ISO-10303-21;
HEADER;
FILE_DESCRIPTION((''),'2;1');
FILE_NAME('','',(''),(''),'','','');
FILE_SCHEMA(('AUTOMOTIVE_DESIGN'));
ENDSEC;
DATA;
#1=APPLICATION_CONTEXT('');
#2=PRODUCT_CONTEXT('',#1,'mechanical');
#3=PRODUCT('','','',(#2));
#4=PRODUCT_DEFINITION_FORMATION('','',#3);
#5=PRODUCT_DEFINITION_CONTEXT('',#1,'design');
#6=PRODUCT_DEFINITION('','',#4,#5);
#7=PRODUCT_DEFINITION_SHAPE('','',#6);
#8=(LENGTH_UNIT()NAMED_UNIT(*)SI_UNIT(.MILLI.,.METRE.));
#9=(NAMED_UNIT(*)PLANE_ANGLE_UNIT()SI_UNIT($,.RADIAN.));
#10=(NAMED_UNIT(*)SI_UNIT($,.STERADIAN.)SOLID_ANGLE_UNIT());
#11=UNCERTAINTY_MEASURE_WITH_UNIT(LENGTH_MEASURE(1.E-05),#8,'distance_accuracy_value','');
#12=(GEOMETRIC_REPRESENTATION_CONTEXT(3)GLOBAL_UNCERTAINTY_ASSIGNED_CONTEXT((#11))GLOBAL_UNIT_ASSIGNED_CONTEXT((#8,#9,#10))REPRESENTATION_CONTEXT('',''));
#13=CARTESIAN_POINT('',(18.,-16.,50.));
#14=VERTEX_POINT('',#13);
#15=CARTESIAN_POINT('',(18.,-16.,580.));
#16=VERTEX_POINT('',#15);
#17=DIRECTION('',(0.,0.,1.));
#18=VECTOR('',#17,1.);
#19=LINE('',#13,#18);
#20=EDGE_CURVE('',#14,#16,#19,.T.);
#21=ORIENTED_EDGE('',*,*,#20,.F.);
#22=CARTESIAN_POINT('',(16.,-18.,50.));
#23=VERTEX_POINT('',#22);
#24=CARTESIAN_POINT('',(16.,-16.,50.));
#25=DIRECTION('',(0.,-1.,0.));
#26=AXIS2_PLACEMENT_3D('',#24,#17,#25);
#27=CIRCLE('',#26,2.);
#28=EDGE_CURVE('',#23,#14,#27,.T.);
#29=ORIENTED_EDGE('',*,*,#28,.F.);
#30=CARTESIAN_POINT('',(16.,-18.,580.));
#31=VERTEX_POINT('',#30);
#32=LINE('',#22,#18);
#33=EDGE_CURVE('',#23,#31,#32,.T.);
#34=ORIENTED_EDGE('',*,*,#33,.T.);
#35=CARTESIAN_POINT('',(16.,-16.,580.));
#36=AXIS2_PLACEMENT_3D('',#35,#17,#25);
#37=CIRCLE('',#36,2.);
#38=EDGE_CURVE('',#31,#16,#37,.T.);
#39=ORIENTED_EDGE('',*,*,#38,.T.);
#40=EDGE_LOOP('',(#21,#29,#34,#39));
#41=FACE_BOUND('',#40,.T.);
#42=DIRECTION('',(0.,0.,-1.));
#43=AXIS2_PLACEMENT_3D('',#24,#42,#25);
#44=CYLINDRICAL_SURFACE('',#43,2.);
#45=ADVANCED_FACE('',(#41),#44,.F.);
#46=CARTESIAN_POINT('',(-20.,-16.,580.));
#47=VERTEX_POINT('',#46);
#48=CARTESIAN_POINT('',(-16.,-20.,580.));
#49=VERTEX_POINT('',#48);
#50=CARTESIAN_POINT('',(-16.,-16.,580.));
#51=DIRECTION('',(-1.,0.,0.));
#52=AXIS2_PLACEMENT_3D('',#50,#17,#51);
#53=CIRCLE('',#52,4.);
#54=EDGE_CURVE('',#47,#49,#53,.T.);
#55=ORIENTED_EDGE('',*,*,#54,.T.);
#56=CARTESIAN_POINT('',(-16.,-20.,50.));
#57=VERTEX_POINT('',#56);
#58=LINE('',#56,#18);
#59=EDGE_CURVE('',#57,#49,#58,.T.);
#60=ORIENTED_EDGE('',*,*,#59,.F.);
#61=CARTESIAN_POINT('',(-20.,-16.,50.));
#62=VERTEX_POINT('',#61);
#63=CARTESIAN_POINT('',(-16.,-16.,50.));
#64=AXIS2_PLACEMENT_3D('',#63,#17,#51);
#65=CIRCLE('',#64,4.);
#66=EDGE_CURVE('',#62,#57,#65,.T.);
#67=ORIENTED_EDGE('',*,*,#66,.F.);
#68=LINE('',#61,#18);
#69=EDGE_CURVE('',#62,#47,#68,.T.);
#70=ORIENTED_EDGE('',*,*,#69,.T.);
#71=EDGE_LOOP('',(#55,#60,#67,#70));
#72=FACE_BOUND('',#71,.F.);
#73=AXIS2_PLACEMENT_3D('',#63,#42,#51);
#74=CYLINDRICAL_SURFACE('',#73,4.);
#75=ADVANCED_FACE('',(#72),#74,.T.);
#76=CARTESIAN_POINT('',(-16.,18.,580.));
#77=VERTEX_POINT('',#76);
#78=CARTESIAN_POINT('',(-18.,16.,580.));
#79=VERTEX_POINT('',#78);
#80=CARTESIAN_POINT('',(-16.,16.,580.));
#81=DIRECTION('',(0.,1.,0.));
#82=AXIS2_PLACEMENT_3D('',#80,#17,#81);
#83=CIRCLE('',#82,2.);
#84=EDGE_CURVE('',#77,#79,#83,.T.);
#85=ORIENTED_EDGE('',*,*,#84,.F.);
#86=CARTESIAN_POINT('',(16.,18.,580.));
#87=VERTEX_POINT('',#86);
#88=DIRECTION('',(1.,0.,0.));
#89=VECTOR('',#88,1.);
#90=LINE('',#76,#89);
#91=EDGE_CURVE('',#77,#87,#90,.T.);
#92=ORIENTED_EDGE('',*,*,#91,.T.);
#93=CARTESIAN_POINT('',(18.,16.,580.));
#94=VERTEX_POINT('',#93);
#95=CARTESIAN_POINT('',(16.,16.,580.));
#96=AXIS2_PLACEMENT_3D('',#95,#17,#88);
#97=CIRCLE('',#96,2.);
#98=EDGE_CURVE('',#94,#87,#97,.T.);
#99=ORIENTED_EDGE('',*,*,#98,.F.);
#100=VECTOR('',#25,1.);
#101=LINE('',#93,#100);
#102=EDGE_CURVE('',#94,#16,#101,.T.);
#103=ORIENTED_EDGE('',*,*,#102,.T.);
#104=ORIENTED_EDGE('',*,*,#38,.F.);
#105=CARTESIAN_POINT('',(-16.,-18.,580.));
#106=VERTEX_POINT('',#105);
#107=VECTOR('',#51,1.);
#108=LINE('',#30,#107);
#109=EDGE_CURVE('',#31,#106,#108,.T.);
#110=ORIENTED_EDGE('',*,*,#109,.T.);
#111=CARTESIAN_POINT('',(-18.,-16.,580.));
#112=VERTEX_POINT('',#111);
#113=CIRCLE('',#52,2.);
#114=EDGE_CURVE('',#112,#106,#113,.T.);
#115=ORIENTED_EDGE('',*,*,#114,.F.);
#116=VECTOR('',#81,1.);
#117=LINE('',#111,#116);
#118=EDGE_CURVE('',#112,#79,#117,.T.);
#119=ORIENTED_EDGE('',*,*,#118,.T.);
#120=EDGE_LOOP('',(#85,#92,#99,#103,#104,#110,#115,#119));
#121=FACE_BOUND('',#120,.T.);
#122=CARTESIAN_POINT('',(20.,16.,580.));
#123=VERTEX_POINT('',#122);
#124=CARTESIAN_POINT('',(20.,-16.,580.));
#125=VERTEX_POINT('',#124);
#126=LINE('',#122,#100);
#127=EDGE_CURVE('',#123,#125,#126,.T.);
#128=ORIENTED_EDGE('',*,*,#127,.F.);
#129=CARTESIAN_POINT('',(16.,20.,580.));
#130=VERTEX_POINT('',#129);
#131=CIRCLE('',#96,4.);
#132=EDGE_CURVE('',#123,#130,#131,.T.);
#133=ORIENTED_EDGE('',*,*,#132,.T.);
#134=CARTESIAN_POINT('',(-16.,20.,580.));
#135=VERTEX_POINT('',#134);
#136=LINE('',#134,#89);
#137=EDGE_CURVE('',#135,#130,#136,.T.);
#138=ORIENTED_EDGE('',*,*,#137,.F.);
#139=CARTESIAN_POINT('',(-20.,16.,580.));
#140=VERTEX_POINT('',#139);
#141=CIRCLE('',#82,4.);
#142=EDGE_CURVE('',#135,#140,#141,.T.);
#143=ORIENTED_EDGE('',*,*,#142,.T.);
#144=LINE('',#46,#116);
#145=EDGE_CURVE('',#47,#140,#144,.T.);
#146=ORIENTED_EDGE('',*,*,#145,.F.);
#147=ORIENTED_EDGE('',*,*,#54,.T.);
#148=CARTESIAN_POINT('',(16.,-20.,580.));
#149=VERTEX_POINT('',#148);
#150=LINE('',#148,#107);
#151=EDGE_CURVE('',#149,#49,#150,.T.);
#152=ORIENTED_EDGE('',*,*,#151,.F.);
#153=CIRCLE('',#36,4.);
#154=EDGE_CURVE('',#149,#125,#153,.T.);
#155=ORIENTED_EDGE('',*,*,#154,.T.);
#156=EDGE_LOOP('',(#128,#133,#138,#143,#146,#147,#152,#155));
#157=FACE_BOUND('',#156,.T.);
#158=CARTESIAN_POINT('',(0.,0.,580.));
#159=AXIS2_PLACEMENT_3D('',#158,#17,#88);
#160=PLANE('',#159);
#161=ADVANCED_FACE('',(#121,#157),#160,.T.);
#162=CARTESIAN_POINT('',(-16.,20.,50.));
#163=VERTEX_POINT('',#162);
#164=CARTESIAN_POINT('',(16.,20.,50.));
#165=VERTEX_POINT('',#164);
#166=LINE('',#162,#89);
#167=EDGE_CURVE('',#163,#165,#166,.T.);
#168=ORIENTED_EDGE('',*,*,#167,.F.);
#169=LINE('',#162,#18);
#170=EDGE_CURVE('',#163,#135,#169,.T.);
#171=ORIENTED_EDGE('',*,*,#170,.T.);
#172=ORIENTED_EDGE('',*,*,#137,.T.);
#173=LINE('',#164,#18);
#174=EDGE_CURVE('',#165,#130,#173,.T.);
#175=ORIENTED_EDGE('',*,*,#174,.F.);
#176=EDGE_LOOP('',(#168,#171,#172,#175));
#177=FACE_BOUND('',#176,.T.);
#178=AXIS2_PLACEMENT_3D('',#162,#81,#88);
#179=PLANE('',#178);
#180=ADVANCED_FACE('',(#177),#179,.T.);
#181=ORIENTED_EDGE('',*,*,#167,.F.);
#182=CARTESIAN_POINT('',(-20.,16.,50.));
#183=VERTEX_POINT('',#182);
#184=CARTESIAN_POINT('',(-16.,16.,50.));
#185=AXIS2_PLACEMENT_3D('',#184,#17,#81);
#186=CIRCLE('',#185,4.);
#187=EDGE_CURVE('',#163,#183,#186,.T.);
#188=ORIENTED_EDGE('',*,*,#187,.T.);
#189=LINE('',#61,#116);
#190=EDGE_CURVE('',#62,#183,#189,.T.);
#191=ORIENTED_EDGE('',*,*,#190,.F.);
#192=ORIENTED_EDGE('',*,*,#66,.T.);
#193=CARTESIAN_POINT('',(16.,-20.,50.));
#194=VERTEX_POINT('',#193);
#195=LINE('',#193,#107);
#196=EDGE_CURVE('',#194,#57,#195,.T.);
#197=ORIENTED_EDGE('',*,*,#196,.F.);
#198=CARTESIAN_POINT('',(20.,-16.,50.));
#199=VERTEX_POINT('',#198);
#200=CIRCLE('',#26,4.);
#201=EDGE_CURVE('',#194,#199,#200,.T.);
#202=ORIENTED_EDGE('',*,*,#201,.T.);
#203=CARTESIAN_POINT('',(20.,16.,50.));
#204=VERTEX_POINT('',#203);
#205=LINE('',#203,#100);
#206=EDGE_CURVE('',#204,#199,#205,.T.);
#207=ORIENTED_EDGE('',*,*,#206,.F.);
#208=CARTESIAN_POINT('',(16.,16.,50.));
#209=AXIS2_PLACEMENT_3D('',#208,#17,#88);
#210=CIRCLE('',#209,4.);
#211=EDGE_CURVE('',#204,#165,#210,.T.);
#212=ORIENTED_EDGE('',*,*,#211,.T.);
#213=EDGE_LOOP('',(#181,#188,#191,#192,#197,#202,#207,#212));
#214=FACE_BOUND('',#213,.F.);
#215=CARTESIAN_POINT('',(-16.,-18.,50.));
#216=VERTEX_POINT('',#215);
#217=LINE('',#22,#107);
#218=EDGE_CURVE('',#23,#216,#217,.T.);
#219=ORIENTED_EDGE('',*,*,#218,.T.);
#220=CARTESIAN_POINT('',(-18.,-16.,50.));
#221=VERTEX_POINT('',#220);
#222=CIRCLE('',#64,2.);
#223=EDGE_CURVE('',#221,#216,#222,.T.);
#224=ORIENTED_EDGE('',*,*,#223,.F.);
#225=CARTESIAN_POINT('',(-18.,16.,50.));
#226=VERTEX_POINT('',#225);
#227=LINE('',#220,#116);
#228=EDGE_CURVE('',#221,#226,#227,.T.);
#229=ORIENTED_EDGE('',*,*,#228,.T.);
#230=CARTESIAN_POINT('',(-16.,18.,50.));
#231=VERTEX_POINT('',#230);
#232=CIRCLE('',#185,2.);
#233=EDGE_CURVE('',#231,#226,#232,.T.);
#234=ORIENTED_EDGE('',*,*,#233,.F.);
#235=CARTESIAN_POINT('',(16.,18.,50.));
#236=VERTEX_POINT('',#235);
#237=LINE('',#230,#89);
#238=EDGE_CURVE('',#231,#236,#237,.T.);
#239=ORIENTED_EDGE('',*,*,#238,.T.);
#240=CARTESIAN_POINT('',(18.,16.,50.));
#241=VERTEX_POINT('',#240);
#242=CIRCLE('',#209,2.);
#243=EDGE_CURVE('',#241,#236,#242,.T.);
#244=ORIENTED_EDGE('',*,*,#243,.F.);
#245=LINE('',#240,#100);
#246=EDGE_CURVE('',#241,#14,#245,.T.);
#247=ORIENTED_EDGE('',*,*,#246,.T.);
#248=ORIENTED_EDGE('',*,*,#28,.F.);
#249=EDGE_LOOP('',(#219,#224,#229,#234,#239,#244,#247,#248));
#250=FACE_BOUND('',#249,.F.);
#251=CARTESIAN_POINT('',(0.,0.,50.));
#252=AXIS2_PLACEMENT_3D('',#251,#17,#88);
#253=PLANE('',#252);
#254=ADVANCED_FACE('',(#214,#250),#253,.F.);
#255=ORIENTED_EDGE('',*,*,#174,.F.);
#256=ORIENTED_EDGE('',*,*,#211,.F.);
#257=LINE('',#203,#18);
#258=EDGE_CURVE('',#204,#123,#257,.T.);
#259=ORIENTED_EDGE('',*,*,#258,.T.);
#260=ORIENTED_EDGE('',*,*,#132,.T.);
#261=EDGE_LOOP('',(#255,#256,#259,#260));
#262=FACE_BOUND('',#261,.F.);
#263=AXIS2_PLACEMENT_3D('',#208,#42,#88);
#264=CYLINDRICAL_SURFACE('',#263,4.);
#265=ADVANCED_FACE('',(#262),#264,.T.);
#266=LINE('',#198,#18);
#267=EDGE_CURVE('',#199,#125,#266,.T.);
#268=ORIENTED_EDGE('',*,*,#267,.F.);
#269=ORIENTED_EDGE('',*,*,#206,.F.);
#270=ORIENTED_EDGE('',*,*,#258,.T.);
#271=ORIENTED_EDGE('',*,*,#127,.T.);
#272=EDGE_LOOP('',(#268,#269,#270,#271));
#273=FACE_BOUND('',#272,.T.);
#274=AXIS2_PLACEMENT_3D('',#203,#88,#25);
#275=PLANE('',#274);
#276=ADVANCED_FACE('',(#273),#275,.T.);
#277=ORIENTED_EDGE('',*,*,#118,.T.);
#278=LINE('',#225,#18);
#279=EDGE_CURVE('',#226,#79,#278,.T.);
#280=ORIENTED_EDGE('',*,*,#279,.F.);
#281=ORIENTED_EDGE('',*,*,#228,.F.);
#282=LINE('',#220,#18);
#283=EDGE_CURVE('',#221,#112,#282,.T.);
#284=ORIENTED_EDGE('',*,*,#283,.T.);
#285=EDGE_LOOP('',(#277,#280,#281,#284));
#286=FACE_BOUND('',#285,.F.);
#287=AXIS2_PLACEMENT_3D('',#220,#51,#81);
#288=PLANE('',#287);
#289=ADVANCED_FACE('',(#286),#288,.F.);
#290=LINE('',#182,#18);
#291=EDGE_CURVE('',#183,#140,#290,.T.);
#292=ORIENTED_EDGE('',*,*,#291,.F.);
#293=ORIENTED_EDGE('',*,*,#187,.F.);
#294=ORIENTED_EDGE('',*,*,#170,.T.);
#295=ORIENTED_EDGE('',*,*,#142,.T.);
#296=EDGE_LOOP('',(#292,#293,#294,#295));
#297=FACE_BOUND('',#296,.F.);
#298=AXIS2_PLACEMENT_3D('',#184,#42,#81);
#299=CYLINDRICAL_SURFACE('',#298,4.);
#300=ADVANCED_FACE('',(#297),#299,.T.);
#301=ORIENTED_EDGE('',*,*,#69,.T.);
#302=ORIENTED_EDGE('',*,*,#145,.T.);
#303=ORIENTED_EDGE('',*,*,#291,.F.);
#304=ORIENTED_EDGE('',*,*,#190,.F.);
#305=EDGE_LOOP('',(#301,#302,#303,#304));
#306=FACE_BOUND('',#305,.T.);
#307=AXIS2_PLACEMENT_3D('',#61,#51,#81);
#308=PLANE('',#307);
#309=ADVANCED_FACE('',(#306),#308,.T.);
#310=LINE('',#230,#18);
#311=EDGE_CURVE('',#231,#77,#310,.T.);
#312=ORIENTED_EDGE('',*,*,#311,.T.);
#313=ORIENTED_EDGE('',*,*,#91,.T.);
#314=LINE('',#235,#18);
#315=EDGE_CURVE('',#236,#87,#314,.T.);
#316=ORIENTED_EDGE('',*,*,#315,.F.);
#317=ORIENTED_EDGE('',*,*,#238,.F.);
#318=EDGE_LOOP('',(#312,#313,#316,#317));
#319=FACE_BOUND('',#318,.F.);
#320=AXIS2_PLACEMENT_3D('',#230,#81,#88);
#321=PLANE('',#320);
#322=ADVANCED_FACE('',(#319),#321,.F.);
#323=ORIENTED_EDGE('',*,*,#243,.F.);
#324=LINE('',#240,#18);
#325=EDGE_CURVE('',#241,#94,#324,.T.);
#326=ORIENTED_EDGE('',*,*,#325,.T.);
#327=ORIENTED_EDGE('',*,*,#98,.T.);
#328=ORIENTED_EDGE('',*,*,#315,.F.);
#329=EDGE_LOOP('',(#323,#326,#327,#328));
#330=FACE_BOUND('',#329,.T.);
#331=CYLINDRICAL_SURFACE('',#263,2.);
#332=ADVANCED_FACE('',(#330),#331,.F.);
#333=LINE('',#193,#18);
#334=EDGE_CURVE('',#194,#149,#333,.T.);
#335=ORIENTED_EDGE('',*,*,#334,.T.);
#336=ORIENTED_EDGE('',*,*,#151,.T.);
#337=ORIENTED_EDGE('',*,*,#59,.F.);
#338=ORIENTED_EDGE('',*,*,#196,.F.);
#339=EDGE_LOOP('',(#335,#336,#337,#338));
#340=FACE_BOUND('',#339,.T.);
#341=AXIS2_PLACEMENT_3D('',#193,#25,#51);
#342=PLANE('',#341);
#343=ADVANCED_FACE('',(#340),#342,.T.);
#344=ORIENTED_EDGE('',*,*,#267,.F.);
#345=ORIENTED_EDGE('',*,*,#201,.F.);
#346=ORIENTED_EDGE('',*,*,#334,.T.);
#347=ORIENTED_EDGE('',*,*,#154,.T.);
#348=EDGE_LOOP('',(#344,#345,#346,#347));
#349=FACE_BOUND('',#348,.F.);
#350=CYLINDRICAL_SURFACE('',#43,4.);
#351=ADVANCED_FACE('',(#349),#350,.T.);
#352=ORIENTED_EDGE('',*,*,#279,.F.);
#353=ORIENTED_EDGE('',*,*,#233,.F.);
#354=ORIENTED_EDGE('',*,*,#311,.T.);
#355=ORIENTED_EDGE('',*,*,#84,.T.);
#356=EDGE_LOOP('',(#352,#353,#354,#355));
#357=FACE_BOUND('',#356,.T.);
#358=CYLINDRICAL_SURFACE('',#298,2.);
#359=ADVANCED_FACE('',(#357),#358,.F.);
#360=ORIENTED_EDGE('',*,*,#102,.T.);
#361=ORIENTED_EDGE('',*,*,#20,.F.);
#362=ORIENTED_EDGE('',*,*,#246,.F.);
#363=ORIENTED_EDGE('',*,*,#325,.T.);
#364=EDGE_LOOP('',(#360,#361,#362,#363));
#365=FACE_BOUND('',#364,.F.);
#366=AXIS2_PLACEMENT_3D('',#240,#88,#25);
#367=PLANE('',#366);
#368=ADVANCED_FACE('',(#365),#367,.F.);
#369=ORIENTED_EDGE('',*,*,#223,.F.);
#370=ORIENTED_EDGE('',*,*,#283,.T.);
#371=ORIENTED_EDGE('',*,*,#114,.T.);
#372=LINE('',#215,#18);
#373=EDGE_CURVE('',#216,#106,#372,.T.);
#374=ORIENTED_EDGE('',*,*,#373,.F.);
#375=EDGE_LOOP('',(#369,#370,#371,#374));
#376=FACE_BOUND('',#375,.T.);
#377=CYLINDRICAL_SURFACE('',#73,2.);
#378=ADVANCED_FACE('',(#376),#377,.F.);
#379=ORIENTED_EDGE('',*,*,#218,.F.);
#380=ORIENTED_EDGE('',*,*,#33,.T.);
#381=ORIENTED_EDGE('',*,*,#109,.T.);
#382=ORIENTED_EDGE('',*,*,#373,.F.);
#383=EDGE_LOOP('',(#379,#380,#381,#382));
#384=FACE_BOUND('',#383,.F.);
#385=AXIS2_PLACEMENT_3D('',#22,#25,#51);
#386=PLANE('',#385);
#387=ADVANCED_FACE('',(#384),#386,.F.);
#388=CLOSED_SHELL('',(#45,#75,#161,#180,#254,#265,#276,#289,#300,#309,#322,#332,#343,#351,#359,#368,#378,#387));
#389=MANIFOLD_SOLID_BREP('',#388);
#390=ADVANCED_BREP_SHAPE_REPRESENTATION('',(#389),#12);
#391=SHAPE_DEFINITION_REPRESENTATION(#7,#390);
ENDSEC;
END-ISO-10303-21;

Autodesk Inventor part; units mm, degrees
ref_plane "YZ Plane" through (0, 0, 0) normal (1, 0, 0) x (0, 1, 0)
ref_plane "Start Plane" through (0, 0, 50) normal (0, 0, 1) x (1, 0, 0)
ref_plane "End Plane" through (0, 0, 580) normal (0, 0, 1) x (1, 0, 0)
sketch "Sketch" plane through (0, 0, 0) normal (0, 0, 1) x (1, 0, 0)
  line L0 (-20, -16) -> (-20, 16)
  line L1 (-16, 20) -> (16, 20)
  line L2 (20, 16) -> (20, -16)
  line L3 (16, -20) -> (-16, -20)
  arc A0 (-20, -16) -> (-16, -20) centre (-16, -16) ccw
  arc A1 (20, 16) -> (16, 20) centre (16, 16) ccw
  arc A2 (-16, 20) -> (-20, 16) centre (-16, 16) ccw
  arc A3 (16, -20) -> (20, -16) centre (16, -16) ccw
  arc A4 (-16, 18) -> (-18, 16) centre (-16, 16) ccw
  line L4 (-16, 18) -> (16, 18)
  arc A5 (18, 16) -> (16, 18) centre (16, 16) ccw
  line L5 (18, 16) -> (18, -16)
  arc A6 (16, -18) -> (18, -16) centre (16, -16) ccw
  line L6 (16, -18) -> (-16, -18)
  arc A7 (-18, -16) -> (-16, -18) centre (-16, -16) ccw
  line L7 (-18, -16) -> (-18, 16)
  line L8 (0, 29.1598) -> (0, -29.1598) construction
  line L9 (-29.1598, 0) -> (29.1598, 0) construction
  dimension "d7" = 4
  dimension "d9" = 40
  dimension "d11" = 40
  dimension "d12" = 2
  dimension "d15" = 20
  dimension "d16" = 20
extrude "Body" add sketch "Sketch" along normal up to surface (530 mm away) from surface at 50
sketch "Sketch3" plane through (0, 0, 0) normal (0, 0, 1) x (1, 0, 0)
  line L0 (0, 0) -> (10, 0)
ref_plane "Work Plane3" through (0, 0, 0) normal (0, -1, 0) x (1, 0, 0)
sketch "Sketch4" plane through (0, 0, 0) normal (0, -1, 0) x (1, 0, 0)
  line L0 (-2, 50) -> (12, 50) projected
  line L1 (-2, 580) -> (12, 580) projected
  dimension "d18" = 530
equation "\"d7\" = G_IR"
equation "\"d9\" = G_W"
equation "\"d11\" = G_H"
equation "\"d12\" = G_T"
equation "\"d15\" = 0.5 * d9"
equation "\"d16\" = 0.5 * d11"
equation "\"d3\" = G_L"
equation "\"G_W\" = 40"
equation "\"G_H\" = 40"
equation "\"G_T\" = 2"
equation "\"G_IR\" = 4"
equation "\"G_L\" = d18"
properties part number "ISO 10799-2 - 40x40x2 - 530" material "Steel, Mild"
